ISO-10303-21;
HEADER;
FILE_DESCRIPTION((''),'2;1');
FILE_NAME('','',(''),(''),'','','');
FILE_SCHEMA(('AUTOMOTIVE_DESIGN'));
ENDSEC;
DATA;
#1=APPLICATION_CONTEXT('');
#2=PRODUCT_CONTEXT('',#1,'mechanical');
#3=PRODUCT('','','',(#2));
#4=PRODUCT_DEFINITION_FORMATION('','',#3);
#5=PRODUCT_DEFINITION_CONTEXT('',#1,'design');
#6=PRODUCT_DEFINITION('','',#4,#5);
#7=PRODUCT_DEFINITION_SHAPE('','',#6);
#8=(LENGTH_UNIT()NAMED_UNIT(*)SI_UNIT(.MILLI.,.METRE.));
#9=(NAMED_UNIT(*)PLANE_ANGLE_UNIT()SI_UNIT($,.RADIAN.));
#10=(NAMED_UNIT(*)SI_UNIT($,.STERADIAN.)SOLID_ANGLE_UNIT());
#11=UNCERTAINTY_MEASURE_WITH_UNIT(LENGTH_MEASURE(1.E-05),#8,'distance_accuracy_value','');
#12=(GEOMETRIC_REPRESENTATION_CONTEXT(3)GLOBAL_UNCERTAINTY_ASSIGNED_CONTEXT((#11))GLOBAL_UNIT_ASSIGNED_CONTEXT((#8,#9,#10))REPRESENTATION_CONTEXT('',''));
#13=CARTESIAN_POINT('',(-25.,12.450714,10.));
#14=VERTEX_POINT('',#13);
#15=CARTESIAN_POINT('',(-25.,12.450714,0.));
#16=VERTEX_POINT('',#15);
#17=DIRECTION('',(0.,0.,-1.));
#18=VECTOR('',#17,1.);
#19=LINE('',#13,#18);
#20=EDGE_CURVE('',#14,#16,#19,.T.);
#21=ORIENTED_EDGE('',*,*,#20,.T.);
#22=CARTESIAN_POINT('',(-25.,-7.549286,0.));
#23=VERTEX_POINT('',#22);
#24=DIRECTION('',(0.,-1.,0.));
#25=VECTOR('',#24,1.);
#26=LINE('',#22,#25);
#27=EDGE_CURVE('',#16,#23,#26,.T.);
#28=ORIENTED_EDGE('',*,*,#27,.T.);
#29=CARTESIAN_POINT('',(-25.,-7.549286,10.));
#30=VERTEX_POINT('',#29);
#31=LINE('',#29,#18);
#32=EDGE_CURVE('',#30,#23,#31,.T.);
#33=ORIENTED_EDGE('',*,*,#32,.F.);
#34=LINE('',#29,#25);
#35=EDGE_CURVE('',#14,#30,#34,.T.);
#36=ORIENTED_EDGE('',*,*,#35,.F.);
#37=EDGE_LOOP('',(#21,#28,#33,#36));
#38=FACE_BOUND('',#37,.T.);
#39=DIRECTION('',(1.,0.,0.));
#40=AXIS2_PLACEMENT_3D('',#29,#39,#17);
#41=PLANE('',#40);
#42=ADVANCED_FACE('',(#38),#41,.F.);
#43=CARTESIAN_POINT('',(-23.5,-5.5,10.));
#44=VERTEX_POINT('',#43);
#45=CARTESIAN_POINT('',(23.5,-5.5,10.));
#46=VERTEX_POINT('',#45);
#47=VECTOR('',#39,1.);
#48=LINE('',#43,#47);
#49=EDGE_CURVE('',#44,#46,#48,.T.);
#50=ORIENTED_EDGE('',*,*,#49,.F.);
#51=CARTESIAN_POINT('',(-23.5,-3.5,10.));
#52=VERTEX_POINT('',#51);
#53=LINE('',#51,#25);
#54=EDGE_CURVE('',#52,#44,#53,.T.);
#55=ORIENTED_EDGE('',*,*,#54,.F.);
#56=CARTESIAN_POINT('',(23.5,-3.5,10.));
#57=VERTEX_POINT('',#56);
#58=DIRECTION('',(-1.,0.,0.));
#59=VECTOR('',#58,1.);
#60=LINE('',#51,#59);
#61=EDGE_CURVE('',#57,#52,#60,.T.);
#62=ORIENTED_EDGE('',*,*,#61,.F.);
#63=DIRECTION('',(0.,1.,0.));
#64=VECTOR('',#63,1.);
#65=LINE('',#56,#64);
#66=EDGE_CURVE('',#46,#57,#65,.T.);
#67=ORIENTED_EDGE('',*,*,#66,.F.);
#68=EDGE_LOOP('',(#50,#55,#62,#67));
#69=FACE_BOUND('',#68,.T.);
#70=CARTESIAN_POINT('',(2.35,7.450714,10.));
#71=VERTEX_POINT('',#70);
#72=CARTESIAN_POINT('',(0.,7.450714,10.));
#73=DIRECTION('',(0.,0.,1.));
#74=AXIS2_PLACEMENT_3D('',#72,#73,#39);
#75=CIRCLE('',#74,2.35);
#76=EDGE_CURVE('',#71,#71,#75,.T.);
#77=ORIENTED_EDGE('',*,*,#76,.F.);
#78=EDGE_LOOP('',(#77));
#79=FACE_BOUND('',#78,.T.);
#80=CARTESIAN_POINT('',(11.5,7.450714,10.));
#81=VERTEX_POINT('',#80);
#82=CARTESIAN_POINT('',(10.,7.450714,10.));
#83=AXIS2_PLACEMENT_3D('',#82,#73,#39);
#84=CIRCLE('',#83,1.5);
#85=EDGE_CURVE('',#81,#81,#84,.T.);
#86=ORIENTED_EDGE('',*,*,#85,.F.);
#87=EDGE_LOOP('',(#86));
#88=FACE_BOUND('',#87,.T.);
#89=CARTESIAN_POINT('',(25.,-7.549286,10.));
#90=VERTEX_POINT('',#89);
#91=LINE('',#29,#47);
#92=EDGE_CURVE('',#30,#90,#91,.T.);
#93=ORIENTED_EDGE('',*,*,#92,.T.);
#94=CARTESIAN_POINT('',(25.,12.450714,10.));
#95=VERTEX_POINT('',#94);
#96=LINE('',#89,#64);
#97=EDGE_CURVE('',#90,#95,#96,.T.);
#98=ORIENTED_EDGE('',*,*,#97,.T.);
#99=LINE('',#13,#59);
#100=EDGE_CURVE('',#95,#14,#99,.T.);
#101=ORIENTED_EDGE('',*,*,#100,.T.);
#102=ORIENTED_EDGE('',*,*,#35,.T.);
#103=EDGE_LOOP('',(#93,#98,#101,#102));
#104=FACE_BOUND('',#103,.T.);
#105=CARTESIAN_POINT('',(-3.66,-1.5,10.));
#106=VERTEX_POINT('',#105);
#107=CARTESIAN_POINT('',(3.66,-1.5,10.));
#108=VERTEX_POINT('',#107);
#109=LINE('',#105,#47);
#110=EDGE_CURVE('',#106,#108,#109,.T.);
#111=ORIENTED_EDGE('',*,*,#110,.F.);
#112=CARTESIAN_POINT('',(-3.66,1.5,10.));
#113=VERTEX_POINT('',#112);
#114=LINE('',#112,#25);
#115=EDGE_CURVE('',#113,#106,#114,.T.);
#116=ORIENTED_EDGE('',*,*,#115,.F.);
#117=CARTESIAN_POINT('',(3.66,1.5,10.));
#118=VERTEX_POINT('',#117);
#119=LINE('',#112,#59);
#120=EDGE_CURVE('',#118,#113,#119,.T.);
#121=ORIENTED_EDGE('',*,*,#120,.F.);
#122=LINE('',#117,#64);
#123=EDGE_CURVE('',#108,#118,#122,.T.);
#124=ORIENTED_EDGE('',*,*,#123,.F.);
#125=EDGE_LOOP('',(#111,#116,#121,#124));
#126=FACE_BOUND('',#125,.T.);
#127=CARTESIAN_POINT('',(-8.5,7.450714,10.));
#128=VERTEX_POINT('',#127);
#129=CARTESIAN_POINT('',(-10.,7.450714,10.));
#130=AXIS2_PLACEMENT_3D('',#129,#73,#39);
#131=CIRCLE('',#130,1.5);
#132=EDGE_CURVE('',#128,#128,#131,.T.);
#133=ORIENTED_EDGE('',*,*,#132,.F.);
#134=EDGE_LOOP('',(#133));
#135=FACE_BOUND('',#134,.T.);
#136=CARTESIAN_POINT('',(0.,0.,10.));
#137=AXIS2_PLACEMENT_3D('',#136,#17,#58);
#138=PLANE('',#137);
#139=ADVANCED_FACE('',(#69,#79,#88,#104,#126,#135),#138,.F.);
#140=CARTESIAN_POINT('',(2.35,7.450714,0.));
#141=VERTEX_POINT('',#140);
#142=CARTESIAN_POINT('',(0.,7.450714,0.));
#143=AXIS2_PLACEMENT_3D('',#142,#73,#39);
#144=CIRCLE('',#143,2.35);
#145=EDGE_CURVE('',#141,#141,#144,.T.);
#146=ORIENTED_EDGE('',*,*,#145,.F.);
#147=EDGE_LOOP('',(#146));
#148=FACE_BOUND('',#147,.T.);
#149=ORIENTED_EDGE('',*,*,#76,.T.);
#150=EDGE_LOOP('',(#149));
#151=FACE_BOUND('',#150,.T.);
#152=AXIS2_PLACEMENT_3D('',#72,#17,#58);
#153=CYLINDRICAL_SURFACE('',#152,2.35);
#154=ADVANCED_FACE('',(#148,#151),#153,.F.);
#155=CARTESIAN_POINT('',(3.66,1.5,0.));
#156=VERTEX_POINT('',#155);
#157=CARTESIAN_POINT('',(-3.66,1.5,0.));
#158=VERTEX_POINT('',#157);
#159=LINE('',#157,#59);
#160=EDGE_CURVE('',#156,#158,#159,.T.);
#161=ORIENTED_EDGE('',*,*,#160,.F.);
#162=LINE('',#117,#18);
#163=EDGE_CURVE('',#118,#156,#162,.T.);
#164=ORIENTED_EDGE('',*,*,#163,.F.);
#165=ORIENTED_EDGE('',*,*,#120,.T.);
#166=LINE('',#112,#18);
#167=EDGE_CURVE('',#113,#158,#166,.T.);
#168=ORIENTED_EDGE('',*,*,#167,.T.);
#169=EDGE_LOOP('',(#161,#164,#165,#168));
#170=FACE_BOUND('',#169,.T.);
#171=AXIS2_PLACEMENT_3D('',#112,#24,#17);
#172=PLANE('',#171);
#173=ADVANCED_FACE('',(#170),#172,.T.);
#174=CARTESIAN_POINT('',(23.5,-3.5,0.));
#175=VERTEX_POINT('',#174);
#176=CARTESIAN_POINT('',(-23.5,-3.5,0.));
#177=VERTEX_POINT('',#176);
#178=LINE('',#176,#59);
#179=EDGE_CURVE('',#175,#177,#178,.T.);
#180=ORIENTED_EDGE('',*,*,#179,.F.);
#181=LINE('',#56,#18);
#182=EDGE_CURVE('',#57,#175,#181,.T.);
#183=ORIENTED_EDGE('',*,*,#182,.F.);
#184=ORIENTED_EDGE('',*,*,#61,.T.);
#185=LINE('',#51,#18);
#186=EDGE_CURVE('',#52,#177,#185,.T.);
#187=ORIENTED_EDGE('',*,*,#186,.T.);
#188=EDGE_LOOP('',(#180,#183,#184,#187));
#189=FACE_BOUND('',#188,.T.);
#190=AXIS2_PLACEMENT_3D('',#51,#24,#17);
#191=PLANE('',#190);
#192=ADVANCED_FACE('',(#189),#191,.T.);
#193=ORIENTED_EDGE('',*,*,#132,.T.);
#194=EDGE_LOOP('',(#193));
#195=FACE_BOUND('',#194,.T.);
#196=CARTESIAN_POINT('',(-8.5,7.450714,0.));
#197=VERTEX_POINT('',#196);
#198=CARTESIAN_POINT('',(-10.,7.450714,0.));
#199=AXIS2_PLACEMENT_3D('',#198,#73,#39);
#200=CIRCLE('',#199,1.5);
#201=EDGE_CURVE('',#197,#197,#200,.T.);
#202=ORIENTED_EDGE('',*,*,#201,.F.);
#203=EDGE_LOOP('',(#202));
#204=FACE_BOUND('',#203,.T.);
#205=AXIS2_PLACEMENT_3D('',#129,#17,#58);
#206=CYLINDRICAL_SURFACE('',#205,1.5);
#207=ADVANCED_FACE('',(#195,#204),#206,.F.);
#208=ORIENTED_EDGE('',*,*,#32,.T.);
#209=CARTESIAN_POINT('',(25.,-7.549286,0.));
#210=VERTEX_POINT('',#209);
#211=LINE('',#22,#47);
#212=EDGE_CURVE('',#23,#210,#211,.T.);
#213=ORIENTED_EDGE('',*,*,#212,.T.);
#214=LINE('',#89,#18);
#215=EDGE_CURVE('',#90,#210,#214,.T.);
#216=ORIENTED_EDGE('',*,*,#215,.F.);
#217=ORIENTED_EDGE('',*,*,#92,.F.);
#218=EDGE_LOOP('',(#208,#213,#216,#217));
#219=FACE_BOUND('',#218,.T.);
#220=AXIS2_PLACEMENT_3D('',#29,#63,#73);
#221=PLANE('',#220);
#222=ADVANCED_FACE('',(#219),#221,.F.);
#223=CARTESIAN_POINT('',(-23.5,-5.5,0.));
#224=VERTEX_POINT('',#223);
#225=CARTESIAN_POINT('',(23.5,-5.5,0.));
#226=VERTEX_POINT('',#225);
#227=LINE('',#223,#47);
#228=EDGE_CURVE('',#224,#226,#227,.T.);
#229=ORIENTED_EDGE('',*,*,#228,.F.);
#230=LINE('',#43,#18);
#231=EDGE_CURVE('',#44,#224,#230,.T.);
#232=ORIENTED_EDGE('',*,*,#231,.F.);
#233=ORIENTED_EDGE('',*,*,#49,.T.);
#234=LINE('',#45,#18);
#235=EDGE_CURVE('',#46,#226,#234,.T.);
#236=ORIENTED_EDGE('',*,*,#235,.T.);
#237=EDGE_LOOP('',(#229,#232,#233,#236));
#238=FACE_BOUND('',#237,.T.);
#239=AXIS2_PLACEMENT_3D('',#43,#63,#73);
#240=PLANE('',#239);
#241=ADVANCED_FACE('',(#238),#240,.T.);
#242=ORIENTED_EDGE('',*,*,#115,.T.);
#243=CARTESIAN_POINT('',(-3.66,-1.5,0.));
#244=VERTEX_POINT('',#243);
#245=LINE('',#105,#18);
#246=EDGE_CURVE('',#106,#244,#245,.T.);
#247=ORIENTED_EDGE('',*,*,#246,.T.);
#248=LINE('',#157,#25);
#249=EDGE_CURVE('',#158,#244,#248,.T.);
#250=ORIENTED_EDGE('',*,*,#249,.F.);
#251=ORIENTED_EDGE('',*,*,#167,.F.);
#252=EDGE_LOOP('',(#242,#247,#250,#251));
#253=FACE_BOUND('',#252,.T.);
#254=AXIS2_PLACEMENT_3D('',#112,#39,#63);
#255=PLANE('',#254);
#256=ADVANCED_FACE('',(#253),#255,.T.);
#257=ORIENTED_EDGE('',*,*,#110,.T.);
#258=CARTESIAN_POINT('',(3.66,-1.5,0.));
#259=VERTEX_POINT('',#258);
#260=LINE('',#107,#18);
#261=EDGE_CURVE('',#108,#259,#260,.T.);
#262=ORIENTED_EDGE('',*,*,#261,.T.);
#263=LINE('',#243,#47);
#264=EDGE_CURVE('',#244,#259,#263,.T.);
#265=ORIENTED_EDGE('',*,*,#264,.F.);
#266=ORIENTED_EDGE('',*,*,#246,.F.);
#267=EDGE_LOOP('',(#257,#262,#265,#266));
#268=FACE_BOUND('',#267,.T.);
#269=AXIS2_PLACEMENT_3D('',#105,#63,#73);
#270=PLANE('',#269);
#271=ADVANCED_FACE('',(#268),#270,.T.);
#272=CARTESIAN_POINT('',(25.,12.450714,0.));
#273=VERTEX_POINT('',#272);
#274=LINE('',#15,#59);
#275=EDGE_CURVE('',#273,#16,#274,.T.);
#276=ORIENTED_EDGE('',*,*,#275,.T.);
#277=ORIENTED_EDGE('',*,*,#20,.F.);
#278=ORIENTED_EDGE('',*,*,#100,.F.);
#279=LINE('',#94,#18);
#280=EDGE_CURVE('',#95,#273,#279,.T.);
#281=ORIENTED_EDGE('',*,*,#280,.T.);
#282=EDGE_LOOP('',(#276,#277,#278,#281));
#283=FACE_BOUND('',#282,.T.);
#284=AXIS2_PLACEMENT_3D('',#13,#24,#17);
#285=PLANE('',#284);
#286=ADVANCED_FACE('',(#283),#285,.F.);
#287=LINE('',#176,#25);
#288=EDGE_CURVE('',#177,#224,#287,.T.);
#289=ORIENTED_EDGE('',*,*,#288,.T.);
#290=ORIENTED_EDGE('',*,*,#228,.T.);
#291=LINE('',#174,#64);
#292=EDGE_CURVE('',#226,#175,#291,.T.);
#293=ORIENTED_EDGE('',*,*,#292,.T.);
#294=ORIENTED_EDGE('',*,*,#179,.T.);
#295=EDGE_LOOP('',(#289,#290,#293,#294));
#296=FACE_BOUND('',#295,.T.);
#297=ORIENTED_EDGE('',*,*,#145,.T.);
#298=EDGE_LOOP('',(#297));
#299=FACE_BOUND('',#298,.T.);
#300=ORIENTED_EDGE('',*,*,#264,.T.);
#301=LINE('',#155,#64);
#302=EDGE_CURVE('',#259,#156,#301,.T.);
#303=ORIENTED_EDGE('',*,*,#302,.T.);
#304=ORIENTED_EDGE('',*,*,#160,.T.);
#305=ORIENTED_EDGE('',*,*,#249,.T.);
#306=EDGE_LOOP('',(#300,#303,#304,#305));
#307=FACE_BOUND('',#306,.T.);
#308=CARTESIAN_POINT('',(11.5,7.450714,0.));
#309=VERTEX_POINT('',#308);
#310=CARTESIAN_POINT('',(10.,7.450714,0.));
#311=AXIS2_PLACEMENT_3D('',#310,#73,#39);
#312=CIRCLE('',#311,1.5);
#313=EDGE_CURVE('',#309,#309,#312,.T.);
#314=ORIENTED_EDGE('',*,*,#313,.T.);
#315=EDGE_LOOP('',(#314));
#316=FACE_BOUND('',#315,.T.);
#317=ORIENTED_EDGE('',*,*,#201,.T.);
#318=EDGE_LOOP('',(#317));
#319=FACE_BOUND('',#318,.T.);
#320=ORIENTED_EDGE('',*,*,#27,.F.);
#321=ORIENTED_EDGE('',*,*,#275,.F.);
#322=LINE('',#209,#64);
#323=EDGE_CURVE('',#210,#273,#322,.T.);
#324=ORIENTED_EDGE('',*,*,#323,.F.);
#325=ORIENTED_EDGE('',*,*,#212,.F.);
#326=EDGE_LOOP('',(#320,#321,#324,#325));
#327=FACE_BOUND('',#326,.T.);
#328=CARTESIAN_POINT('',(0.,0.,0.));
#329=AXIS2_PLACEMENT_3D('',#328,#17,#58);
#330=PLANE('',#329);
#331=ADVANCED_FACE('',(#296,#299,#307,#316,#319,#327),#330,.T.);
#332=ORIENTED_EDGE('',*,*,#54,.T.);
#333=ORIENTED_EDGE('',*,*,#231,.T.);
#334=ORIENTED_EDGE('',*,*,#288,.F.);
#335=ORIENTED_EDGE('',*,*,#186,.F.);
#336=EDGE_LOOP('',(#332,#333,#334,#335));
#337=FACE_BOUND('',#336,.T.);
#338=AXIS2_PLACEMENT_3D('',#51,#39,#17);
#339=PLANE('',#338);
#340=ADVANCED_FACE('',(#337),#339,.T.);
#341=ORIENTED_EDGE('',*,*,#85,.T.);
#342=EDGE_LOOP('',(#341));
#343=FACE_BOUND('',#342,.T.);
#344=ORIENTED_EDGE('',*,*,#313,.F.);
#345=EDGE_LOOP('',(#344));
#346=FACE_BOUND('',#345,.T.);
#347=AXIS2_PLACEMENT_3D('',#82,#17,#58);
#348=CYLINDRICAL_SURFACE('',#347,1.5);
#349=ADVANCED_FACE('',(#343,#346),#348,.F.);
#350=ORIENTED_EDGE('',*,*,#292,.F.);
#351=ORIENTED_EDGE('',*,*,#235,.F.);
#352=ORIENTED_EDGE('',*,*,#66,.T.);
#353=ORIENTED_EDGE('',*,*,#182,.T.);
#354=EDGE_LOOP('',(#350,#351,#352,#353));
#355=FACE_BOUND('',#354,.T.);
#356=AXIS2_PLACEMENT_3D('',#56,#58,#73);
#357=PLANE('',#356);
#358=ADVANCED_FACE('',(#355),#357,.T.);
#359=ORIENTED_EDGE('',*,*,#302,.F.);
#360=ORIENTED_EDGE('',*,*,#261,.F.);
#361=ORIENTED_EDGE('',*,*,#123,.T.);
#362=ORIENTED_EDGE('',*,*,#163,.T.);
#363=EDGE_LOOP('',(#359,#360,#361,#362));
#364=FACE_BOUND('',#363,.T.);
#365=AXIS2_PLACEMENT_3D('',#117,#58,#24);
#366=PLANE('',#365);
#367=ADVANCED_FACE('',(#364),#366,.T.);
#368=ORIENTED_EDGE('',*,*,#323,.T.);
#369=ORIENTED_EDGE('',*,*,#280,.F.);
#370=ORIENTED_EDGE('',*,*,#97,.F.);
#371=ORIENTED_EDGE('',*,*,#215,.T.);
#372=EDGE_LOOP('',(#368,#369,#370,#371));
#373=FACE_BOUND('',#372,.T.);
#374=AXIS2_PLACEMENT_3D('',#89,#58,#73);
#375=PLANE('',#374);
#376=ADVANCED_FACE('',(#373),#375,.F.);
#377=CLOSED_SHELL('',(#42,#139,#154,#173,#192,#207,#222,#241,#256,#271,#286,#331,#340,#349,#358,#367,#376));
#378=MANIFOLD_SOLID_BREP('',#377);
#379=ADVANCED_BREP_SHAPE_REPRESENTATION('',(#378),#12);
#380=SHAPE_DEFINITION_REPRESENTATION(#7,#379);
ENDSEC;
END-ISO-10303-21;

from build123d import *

# Parameters (mm, degrees)
SKETCH1_W           = 50
SKETCH1_H           = 20
SKETCH1_R           = 1.5
SKETCH1_R_2         = 2.35
SKETCH1_W_2         = 7.32
SKETCH1_H_2         = 3
SKETCH1_W_3         = 47
SKETCH1_H_3         = 2
BOSS_EXTRUDE1_DEPTH = 10


with BuildPart() as part:
    # Sketch1 → Boss-Extrude1 (new body)
    with BuildSketch(Plane.XY):
        with Locations((0, 2.450714286)):
            Rectangle(SKETCH1_W, SKETCH1_H)
        with Locations((-10, 7.450714286)):
            Circle(SKETCH1_R, mode=Mode.SUBTRACT)
        with Locations((10, 7.450714286)):
            Circle(SKETCH1_R, mode=Mode.SUBTRACT)
        with Locations((0, 7.450714286)):
            Circle(SKETCH1_R_2, mode=Mode.SUBTRACT)
        Rectangle(SKETCH1_W_2, SKETCH1_H_2, mode=Mode.SUBTRACT)
        with Locations((0, -4.5)):
            Rectangle(SKETCH1_W_3, SKETCH1_H_3, mode=Mode.SUBTRACT)
    extrude(amount=BOSS_EXTRUDE1_DEPTH)


solid = part.part
